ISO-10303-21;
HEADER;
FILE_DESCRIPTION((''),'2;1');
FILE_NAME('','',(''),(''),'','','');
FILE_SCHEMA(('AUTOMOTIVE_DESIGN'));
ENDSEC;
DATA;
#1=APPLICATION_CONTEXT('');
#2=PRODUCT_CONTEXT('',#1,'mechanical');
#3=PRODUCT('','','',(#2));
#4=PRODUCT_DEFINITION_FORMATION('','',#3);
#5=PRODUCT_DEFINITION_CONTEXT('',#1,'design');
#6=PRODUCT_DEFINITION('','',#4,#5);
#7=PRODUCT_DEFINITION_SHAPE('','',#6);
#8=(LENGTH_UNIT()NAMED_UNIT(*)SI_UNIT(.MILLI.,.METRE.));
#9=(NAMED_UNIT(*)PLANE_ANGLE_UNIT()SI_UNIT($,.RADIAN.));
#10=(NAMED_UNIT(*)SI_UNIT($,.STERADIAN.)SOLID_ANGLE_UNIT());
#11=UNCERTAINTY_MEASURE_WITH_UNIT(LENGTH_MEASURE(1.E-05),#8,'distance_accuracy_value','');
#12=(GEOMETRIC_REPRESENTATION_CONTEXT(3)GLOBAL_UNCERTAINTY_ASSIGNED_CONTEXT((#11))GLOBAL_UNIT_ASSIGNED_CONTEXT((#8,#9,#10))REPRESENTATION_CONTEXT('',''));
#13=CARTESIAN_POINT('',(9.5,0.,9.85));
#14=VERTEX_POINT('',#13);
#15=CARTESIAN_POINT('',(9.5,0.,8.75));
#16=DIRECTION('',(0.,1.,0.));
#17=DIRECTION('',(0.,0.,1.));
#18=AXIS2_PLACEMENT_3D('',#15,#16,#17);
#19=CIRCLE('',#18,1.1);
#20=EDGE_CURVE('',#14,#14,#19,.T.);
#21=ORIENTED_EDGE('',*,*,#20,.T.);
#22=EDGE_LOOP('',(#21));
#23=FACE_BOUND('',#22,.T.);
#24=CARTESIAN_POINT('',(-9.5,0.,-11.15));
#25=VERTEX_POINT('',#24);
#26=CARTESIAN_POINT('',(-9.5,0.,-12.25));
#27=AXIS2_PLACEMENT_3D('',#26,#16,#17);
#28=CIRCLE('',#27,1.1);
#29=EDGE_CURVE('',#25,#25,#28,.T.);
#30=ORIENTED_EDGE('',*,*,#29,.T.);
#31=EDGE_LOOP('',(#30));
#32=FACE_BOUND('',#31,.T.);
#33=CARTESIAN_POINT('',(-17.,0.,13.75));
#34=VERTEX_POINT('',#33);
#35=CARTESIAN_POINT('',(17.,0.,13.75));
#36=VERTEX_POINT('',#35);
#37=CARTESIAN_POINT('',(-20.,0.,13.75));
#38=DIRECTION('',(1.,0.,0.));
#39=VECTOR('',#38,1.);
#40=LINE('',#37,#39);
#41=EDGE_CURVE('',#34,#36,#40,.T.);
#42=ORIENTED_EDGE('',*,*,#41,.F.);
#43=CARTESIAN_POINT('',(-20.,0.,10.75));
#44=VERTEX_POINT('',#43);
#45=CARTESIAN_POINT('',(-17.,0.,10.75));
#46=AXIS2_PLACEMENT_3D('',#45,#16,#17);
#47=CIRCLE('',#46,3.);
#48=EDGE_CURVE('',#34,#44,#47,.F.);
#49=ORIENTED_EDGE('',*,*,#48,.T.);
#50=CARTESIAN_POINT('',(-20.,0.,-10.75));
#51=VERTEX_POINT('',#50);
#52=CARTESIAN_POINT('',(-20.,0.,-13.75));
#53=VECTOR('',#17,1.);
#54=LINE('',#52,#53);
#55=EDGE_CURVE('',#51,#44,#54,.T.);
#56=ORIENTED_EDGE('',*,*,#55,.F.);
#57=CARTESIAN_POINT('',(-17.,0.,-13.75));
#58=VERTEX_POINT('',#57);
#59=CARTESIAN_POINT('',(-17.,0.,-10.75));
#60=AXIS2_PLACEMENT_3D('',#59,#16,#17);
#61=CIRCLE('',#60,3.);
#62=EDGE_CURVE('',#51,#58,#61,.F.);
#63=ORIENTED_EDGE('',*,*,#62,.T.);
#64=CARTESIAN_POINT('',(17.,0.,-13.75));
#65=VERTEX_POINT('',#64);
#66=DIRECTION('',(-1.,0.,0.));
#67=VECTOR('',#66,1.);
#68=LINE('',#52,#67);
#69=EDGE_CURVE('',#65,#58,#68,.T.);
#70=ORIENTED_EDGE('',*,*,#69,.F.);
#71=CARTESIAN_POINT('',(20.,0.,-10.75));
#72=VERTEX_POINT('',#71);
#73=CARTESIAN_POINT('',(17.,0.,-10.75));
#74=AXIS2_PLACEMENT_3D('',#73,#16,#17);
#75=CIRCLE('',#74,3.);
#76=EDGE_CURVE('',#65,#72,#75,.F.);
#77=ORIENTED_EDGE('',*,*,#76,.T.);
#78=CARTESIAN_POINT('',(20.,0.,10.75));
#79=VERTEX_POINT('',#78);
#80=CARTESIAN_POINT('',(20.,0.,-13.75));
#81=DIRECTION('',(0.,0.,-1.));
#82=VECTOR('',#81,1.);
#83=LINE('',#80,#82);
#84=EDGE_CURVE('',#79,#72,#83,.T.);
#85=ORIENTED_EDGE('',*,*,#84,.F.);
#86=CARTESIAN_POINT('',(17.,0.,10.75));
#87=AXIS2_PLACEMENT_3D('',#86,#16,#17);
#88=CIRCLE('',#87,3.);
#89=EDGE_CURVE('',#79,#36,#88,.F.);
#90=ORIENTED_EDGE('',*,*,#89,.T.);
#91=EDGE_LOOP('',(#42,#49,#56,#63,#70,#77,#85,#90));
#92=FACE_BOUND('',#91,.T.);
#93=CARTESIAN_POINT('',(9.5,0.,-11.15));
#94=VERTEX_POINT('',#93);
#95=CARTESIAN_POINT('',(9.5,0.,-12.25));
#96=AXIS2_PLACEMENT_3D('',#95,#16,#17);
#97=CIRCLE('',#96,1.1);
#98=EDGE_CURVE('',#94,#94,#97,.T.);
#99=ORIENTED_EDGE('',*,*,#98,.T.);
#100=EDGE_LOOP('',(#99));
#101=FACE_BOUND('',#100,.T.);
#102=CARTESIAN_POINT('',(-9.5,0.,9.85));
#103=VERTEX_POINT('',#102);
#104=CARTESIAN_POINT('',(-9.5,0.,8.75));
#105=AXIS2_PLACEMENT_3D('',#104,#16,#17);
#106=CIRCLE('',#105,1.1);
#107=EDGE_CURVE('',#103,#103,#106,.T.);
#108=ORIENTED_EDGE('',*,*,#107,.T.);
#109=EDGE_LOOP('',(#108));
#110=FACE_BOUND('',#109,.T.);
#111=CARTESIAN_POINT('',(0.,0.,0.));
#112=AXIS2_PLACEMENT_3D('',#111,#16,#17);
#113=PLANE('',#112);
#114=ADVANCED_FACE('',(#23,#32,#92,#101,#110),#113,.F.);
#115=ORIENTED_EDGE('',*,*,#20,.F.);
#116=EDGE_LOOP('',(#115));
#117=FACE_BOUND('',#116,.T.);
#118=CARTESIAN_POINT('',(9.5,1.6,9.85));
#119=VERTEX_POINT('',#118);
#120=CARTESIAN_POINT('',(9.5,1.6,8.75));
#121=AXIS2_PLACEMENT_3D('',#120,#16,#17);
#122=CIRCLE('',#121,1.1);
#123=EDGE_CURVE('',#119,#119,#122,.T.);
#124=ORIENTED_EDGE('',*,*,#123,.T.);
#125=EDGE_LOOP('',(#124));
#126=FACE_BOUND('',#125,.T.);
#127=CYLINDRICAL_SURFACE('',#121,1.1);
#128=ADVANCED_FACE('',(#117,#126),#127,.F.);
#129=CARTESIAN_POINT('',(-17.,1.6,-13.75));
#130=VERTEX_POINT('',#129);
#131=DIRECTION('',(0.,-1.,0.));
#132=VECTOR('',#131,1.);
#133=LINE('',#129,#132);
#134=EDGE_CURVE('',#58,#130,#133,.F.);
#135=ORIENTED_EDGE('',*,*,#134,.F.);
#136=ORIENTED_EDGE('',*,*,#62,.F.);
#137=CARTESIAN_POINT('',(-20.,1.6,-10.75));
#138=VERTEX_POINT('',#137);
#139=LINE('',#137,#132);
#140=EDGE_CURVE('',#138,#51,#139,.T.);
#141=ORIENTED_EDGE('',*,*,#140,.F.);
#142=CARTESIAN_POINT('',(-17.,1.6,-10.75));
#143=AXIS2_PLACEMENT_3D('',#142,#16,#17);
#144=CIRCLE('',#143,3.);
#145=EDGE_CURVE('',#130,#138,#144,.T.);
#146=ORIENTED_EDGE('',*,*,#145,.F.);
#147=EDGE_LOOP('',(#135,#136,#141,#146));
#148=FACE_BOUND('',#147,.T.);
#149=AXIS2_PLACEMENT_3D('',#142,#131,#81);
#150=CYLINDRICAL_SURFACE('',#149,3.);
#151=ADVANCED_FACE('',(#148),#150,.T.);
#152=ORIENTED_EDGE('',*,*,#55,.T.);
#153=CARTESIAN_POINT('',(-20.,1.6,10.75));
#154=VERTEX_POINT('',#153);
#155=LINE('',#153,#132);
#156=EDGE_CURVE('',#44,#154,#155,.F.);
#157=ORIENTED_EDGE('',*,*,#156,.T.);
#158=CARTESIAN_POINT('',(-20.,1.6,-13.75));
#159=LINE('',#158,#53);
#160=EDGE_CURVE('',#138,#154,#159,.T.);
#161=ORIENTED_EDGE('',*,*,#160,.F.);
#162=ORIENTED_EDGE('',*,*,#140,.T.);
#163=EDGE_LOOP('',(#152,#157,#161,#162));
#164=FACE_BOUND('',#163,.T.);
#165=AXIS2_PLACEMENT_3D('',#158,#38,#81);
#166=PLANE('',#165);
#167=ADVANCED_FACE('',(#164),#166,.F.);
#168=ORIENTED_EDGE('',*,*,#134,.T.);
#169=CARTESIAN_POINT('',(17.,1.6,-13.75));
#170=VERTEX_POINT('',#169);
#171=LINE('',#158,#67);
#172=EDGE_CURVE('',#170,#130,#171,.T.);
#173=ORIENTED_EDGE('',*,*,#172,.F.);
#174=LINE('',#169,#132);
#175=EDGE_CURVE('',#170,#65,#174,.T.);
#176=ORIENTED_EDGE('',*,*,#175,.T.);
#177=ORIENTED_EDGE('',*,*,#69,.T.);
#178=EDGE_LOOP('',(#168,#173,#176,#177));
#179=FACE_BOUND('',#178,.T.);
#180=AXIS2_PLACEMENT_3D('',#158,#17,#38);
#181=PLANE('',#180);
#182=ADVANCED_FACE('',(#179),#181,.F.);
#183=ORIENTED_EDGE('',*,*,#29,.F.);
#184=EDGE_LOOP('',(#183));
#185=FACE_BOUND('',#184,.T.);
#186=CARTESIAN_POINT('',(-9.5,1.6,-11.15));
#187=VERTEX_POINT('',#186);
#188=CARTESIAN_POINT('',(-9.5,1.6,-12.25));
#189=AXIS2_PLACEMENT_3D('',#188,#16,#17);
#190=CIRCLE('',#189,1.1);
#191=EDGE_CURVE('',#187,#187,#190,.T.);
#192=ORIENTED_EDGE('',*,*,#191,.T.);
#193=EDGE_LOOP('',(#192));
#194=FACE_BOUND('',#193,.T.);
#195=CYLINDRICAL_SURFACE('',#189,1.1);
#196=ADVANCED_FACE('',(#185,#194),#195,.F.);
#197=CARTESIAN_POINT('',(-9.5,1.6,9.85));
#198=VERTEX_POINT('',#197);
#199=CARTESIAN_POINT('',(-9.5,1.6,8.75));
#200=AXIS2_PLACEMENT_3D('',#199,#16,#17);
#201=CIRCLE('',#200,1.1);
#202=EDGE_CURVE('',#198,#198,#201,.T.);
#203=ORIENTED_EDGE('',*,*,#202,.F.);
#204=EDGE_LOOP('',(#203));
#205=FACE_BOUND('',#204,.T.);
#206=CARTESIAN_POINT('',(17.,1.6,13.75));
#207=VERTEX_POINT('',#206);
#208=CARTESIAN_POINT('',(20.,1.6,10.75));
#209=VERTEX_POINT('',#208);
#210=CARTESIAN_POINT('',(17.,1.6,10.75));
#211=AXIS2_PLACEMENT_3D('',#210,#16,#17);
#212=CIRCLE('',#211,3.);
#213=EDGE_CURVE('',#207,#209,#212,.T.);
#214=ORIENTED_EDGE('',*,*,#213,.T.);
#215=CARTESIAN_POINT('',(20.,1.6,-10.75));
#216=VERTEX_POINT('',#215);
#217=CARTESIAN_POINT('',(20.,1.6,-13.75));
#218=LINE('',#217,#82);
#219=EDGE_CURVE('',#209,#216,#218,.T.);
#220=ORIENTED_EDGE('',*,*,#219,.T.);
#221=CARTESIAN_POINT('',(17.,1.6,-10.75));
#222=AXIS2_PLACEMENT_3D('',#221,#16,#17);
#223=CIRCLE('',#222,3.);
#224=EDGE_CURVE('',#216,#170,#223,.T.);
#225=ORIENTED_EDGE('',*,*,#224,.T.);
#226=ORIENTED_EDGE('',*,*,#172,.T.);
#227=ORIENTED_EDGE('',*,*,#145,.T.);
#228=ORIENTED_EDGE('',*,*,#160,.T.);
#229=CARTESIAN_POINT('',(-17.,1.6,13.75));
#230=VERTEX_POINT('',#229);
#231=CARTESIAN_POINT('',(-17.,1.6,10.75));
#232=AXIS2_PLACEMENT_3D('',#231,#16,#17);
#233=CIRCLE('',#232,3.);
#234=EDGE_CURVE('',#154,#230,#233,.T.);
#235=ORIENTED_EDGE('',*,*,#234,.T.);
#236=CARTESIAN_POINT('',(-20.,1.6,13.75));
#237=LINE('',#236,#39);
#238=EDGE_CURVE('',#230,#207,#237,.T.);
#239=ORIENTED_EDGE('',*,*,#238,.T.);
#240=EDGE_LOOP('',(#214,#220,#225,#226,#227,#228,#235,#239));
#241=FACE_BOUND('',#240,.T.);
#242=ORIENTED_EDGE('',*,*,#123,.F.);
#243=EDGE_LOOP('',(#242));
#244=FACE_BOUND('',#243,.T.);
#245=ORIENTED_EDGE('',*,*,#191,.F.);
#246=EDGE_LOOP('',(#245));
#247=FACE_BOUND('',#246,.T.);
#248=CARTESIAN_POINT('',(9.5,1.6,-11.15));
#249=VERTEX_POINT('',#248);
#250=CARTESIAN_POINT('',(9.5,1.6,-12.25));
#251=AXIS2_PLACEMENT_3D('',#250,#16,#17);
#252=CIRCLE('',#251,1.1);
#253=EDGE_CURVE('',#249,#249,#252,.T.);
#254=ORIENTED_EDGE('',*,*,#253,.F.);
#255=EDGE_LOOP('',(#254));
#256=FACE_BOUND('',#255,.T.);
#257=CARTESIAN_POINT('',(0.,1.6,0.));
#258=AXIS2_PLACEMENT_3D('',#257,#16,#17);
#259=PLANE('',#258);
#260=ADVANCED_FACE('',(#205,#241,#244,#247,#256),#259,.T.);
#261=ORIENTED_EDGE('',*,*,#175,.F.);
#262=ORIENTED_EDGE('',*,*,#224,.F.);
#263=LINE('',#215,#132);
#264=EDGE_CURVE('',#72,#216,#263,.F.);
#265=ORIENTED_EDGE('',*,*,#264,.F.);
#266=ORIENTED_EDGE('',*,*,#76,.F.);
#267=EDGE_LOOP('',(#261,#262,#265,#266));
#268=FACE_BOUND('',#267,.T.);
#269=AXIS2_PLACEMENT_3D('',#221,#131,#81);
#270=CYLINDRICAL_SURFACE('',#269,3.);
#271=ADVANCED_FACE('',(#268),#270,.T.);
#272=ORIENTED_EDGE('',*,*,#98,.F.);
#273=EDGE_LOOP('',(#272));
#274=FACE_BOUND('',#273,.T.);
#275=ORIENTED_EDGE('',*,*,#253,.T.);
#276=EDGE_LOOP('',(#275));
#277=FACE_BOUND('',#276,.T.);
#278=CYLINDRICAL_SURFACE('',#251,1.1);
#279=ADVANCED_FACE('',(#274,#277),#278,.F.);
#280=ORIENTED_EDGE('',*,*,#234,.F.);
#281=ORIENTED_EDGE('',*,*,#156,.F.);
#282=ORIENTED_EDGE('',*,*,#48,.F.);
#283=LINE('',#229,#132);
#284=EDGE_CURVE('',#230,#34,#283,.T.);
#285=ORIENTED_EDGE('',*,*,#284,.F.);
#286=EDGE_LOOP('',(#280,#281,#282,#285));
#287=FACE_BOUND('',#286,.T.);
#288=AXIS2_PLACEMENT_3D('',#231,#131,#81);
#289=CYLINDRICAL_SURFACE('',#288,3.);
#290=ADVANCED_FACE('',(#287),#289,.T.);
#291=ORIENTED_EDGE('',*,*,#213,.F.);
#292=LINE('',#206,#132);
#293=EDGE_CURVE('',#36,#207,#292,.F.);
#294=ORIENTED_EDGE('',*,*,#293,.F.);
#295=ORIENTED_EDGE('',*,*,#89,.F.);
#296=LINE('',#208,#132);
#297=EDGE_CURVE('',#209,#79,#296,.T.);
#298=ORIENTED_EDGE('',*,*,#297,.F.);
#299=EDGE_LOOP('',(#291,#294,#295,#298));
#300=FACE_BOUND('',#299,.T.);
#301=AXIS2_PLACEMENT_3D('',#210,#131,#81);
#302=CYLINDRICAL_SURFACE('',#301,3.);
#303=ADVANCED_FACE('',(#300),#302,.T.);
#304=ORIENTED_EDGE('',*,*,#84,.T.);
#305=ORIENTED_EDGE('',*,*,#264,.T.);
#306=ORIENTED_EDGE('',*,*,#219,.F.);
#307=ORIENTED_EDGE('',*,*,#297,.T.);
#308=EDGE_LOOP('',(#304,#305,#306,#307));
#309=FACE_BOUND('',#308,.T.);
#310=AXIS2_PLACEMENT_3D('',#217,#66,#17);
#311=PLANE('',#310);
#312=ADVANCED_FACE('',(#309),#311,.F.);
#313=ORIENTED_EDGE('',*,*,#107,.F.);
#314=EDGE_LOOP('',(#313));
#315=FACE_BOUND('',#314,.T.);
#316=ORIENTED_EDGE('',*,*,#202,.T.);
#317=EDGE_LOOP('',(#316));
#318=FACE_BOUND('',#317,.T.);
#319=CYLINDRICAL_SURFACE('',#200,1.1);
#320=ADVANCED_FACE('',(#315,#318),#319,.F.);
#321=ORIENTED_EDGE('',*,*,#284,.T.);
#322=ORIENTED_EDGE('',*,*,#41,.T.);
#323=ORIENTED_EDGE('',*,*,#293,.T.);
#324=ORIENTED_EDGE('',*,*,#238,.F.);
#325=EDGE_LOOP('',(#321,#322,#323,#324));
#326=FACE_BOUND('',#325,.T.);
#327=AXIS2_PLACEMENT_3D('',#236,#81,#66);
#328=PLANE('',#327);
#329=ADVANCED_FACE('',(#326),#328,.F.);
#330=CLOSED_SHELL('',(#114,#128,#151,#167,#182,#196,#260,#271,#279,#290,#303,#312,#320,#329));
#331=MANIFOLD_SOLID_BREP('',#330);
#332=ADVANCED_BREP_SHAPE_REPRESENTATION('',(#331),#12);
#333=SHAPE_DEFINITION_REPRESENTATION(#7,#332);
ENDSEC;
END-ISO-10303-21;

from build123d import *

# Parameters (mm, degrees)
SKETCH1_W                = 40
SKETCH1_H                = 27.5
BOSS_EXTRUDE1_DEPTH      = 1.6
M2_CLEARANCE_HOLE1_D     = 2.2
M2_CLEARANCE_HOLE1_DEPTH = 5.2
M2_CLEARANCE_HOLE1_TIP   = 0.660946681
FILLET1_R                = 3


with BuildPart() as part:
    # Sketch1 → Boss-Extrude1 (new body)
    with BuildSketch(Plane(origin=(0, 0, 0), x_dir=(1, 0, 0), z_dir=(0, 1, 0))):
        Rectangle(SKETCH1_W, SKETCH1_H)
    extrude(amount=BOSS_EXTRUDE1_DEPTH)

    # M2 Clearance Hole1
    with Locations(Plane(origin=(0, 1.6, 0), x_dir=(1, 0, 0), z_dir=(0, 1, 0))):
        with Locations((-9.5, 12.25), (9.5, 12.25), (9.5, -8.75), (-9.5, -8.75)):
            Hole(M2_CLEARANCE_HOLE1_D / 2, depth=M2_CLEARANCE_HOLE1_DEPTH)
            with Locations((0, 0, -(M2_CLEARANCE_HOLE1_DEPTH + M2_CLEARANCE_HOLE1_TIP / 2))):  # 118° drill point
                Cone(0, M2_CLEARANCE_HOLE1_D / 2, M2_CLEARANCE_HOLE1_TIP, mode=Mode.SUBTRACT)

    # Fillet1
    fillet1_edges = [part.edges().sort_by_distance(p)[0] for p in [
        (-20, 0.8, -13.75),
        (20, 0.8, -13.75),
        (20, 0.8, 13.75),
        (-20, 0.8, 13.75),
    ]]
    fillet(fillet1_edges, radius=FILLET1_R)


solid = part.part
